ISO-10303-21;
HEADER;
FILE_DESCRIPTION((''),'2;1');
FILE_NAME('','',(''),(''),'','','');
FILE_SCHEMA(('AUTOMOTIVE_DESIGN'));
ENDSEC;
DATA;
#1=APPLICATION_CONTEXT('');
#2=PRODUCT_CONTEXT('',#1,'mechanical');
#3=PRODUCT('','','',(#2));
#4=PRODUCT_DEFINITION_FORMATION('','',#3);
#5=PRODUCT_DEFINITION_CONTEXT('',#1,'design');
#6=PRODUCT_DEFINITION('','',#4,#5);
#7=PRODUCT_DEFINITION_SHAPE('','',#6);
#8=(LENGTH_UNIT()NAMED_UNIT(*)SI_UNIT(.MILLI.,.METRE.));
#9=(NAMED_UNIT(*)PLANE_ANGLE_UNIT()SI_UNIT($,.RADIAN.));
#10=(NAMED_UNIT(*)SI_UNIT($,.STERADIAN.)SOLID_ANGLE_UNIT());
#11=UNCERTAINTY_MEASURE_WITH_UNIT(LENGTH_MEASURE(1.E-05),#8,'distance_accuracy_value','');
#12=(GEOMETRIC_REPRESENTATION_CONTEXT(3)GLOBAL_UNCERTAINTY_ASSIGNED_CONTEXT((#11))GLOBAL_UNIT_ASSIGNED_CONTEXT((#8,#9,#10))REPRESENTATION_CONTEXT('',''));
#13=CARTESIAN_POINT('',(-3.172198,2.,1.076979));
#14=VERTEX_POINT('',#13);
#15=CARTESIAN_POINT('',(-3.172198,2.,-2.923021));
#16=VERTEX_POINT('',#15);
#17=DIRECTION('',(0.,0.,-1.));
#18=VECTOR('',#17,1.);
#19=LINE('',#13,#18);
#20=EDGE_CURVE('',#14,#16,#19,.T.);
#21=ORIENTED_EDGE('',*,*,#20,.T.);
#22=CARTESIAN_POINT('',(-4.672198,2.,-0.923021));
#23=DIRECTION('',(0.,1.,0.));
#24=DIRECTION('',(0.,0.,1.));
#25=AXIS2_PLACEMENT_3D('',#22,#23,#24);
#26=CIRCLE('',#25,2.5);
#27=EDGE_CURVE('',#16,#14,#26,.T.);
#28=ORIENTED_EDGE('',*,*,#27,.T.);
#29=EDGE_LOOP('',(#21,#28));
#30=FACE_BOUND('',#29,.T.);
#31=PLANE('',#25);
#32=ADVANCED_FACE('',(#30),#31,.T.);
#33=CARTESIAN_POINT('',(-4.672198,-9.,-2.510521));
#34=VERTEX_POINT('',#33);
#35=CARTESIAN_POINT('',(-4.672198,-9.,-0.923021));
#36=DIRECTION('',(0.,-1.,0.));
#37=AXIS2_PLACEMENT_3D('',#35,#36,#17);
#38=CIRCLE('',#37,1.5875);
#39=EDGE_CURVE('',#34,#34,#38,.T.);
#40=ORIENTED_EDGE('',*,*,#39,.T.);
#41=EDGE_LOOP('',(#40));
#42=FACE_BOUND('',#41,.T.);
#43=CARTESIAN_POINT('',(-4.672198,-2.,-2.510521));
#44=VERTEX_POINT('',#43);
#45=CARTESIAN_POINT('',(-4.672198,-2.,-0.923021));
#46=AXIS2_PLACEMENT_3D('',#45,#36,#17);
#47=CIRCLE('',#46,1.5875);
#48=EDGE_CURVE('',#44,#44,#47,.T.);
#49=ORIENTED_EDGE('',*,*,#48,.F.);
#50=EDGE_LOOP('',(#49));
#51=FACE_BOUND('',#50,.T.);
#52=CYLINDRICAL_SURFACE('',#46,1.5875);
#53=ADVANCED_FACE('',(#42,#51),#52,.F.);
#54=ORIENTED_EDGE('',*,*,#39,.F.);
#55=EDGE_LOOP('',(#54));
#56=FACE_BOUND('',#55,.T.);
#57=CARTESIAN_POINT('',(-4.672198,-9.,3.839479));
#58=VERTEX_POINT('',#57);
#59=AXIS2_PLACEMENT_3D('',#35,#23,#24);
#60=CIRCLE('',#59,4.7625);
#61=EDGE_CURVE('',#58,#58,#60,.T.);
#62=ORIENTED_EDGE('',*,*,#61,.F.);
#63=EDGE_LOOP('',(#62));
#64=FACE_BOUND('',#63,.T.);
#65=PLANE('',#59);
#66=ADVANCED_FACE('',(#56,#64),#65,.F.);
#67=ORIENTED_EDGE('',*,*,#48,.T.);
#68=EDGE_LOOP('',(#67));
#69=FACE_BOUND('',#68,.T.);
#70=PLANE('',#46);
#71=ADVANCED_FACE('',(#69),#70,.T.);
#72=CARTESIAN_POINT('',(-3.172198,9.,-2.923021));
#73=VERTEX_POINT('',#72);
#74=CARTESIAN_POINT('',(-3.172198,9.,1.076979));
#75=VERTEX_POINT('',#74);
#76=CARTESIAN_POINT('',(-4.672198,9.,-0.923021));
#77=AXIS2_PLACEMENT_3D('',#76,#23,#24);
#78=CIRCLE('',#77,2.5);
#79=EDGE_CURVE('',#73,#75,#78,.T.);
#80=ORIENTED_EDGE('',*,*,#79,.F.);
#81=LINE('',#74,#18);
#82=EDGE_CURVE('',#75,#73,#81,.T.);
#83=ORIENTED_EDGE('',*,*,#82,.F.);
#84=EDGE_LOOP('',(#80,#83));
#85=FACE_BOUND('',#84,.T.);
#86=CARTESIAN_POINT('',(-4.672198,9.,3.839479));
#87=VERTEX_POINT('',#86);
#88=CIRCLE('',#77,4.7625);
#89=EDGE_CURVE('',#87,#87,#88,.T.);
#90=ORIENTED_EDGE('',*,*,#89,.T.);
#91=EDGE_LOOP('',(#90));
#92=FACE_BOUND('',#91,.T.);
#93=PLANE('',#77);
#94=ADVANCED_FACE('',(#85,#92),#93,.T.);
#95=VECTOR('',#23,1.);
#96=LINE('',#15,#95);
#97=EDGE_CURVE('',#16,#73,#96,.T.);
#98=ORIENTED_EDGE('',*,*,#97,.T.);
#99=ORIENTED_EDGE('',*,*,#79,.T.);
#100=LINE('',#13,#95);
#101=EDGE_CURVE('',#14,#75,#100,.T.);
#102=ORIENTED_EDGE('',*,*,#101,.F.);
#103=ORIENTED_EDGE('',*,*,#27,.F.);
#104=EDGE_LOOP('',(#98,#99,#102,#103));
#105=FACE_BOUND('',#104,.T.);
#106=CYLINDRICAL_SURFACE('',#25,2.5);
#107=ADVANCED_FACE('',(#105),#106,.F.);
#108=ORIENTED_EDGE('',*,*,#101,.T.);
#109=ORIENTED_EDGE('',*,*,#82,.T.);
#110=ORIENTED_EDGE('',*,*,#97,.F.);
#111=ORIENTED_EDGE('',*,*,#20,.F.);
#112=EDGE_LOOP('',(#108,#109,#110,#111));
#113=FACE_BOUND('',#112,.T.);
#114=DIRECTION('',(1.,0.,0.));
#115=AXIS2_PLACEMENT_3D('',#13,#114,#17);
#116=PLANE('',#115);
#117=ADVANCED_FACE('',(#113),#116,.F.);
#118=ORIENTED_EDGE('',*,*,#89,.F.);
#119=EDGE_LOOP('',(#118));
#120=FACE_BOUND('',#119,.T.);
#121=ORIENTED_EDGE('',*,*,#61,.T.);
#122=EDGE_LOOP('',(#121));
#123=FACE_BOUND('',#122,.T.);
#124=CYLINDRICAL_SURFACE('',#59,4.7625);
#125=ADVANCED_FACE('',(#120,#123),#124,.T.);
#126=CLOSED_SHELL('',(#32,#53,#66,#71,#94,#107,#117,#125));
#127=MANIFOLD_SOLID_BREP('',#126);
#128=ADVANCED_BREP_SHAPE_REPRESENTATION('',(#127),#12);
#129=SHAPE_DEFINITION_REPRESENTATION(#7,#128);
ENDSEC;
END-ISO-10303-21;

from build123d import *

# Parameters (mm, degrees)
BOSS_EXTRUDE1_DEPTH      = 9
BOSS_EXTRUDE1_DEPTH_BACK = 9
SKETCH1_R                = 4.7625
CUT_EXTRUDE1_DEPTH       = 7
SKETCH7_R                = 1.5875
CUT_EXTRUDE2_DEPTH       = 7


with BuildPart() as part:
    # Sketch1 → Boss-Extrude1 (new, two sides: drawn at the far end of the back side and taken through both)
    with BuildSketch(Plane(origin=(0, 0, 0), x_dir=(1, 0, 0), z_dir=(0, 1, 0)).offset(-BOSS_EXTRUDE1_DEPTH_BACK)):
        with Locations((-4.672198487, 0.923020882)):
            Circle(SKETCH1_R)
    extrude(amount=BOSS_EXTRUDE1_DEPTH + BOSS_EXTRUDE1_DEPTH_BACK)

    # Sketch6 → Cut-Extrude1 (cut)
    with BuildSketch(Plane(origin=(0, 9, 0), x_dir=(1, 0, 0), z_dir=(0, 1, 0))):
        with BuildLine():
            Line((-3.172198487, -1.076979118), (-3.172198487, 2.923020882))
            ThreePointArc((-3.172198487, 2.923020882), (-7.172198487, 0.923020882), (-3.172198487, -1.076979118))
        make_face()
    extrude(amount=-CUT_EXTRUDE1_DEPTH, mode=Mode.SUBTRACT)

    # Sketch7 → Cut-Extrude2 (cut)
    with BuildSketch(Plane.XZ.offset(9)):
        with Locations((-4.672198487, -0.923020882)):
            Circle(SKETCH7_R)
    extrude(amount=-CUT_EXTRUDE2_DEPTH, mode=Mode.SUBTRACT)


solid = part.part
